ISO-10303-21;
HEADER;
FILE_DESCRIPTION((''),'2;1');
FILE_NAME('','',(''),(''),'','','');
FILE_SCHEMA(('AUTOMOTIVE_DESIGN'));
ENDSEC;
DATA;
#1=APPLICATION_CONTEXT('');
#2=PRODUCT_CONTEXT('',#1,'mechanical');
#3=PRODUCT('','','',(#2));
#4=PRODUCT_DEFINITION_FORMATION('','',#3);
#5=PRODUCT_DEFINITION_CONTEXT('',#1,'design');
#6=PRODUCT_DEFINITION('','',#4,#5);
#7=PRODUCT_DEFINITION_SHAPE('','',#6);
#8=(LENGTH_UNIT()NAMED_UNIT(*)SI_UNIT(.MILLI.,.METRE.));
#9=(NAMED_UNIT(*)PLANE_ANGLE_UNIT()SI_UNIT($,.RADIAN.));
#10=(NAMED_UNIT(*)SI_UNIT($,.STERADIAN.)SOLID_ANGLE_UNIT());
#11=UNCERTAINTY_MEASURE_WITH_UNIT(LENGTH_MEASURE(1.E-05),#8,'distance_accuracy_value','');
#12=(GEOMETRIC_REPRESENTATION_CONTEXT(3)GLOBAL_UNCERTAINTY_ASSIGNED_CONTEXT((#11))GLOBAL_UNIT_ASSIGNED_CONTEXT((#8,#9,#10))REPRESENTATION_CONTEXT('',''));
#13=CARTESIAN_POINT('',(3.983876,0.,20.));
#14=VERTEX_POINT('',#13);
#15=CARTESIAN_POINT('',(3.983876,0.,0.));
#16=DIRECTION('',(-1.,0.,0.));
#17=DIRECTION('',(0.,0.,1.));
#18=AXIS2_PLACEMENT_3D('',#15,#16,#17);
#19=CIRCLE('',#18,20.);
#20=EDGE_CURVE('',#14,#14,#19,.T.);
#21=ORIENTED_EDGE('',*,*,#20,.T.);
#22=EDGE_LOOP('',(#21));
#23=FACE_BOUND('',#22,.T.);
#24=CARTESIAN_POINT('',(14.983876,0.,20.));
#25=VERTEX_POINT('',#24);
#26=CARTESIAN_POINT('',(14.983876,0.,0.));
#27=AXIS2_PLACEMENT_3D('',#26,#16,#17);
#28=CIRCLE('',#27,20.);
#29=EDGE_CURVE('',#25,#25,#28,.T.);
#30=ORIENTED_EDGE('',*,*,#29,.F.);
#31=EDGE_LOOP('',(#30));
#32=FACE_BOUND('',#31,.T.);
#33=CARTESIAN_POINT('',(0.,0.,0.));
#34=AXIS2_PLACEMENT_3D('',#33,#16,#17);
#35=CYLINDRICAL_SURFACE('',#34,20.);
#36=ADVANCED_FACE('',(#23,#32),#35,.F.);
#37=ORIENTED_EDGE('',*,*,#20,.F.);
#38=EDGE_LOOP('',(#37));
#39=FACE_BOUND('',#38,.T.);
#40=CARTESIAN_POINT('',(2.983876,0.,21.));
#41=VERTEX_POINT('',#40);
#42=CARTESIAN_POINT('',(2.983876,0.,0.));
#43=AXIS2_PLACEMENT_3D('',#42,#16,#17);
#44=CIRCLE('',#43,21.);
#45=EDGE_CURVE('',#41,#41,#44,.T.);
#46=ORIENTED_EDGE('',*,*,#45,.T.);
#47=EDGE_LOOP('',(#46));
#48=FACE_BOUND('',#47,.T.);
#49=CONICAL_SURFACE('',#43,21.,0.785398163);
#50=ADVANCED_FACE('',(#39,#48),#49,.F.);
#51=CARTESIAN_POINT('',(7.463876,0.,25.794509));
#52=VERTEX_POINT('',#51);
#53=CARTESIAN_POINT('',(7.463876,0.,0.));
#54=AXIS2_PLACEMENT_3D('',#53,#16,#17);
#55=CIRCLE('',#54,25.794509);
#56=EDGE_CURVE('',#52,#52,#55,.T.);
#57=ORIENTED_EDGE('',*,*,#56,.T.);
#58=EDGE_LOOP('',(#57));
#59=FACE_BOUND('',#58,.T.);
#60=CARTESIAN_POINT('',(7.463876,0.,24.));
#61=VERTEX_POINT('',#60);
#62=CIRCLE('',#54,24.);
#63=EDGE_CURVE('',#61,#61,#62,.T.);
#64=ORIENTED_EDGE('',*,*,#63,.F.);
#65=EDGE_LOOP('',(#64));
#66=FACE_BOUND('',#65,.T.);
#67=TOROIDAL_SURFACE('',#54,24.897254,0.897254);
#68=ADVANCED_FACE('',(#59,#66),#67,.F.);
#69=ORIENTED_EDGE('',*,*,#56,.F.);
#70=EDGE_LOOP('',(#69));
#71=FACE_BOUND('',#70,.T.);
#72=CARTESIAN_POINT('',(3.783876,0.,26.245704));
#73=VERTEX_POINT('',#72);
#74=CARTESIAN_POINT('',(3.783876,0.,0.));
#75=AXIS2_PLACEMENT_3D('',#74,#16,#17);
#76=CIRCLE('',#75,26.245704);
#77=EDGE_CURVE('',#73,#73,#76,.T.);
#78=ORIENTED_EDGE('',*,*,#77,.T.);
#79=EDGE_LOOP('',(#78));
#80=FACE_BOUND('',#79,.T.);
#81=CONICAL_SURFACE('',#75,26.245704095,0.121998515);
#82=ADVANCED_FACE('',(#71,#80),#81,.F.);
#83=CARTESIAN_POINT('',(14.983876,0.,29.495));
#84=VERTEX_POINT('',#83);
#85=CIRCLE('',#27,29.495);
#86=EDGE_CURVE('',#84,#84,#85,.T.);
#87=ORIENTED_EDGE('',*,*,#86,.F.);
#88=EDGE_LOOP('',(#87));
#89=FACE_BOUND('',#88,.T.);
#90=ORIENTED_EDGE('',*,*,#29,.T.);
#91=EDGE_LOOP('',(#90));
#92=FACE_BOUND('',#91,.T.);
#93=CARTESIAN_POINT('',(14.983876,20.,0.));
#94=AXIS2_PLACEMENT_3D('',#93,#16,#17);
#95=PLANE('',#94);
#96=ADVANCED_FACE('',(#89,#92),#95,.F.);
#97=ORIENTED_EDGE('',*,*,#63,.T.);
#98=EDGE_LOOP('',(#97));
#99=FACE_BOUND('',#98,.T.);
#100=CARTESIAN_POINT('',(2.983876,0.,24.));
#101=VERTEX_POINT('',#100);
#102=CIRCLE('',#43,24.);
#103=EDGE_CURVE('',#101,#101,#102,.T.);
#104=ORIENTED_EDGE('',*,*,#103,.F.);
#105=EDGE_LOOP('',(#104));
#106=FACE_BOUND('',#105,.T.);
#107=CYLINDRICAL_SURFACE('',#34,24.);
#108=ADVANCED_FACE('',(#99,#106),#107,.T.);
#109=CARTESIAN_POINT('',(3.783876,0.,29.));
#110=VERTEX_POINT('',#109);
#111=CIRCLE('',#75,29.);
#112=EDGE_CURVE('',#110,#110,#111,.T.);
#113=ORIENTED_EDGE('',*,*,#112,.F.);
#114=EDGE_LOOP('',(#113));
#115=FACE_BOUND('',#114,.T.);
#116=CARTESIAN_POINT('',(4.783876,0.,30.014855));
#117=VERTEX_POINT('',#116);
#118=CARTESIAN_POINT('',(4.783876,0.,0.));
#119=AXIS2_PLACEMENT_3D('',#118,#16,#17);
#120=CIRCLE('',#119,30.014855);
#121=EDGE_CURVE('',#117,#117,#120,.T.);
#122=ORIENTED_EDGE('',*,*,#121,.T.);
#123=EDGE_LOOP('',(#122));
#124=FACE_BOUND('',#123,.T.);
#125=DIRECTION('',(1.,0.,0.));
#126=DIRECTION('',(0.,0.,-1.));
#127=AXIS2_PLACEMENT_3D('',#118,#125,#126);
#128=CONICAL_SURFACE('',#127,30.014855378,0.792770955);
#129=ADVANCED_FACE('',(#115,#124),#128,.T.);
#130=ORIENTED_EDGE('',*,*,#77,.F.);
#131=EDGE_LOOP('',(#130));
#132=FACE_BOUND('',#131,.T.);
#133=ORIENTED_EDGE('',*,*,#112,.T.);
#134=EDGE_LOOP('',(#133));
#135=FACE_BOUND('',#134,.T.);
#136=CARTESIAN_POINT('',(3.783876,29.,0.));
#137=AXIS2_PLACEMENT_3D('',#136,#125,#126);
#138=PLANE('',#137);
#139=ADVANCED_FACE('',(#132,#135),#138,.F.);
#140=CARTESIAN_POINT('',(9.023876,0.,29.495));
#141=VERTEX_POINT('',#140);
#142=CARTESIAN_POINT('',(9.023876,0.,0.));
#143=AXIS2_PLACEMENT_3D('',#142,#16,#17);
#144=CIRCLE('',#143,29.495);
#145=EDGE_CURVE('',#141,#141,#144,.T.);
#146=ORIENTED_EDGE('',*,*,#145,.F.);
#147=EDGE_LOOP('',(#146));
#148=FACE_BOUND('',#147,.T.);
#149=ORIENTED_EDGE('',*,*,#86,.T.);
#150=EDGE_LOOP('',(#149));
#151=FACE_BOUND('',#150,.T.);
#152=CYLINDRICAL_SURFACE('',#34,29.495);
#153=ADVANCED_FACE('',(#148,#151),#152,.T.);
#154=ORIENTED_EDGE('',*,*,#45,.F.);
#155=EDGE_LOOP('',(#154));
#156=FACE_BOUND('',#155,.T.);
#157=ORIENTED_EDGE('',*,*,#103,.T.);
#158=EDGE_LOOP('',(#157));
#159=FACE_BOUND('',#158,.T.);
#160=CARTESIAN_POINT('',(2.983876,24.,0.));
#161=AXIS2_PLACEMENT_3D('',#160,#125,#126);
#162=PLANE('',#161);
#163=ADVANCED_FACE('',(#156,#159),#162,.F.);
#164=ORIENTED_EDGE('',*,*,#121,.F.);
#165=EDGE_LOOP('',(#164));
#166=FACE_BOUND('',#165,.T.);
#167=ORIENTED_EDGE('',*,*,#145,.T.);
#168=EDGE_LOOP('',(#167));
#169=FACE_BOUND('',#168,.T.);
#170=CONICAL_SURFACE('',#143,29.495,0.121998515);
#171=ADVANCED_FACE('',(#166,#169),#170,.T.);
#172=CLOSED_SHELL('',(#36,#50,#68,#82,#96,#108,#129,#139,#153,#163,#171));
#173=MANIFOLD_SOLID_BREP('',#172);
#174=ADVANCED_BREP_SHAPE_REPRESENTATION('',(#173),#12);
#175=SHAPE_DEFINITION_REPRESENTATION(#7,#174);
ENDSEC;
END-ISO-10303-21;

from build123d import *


with BuildPart() as part:
    # Sketch1 → Revolve1 (revolve)
    with BuildSketch(Plane.XY):
        with BuildLine():
            Line((2.983876441, 24), (2.983876441, 21))
            Line((2.983876441, 21), (3.983876441, 20))
            Line((3.983876441, 20), (14.983876441, 20))
            Line((14.983876441, 20), (14.983876441, 29.495))
            Line((14.983876441, 29.495), (9.023876441, 29.495))
            Line((9.023876441, 29.495), (4.783876441, 30.014855378))
            Line((4.783876441, 30.014855378), (3.783876441, 29))
            Line((3.783876441, 29), (3.783876441, 26.245704095))
            Line((3.783876441, 26.245704095), (7.463876441, 25.794508861))
            ThreePointArc((7.463876441, 25.794508861), (8.361130872, 24.89725443), (7.463876441, 24))
            Line((7.463876441, 24), (2.983876441, 24))
        make_face()
    revolve(axis=Axis((0, 0, 0), (1, 0, 0)))


solid = part.part
